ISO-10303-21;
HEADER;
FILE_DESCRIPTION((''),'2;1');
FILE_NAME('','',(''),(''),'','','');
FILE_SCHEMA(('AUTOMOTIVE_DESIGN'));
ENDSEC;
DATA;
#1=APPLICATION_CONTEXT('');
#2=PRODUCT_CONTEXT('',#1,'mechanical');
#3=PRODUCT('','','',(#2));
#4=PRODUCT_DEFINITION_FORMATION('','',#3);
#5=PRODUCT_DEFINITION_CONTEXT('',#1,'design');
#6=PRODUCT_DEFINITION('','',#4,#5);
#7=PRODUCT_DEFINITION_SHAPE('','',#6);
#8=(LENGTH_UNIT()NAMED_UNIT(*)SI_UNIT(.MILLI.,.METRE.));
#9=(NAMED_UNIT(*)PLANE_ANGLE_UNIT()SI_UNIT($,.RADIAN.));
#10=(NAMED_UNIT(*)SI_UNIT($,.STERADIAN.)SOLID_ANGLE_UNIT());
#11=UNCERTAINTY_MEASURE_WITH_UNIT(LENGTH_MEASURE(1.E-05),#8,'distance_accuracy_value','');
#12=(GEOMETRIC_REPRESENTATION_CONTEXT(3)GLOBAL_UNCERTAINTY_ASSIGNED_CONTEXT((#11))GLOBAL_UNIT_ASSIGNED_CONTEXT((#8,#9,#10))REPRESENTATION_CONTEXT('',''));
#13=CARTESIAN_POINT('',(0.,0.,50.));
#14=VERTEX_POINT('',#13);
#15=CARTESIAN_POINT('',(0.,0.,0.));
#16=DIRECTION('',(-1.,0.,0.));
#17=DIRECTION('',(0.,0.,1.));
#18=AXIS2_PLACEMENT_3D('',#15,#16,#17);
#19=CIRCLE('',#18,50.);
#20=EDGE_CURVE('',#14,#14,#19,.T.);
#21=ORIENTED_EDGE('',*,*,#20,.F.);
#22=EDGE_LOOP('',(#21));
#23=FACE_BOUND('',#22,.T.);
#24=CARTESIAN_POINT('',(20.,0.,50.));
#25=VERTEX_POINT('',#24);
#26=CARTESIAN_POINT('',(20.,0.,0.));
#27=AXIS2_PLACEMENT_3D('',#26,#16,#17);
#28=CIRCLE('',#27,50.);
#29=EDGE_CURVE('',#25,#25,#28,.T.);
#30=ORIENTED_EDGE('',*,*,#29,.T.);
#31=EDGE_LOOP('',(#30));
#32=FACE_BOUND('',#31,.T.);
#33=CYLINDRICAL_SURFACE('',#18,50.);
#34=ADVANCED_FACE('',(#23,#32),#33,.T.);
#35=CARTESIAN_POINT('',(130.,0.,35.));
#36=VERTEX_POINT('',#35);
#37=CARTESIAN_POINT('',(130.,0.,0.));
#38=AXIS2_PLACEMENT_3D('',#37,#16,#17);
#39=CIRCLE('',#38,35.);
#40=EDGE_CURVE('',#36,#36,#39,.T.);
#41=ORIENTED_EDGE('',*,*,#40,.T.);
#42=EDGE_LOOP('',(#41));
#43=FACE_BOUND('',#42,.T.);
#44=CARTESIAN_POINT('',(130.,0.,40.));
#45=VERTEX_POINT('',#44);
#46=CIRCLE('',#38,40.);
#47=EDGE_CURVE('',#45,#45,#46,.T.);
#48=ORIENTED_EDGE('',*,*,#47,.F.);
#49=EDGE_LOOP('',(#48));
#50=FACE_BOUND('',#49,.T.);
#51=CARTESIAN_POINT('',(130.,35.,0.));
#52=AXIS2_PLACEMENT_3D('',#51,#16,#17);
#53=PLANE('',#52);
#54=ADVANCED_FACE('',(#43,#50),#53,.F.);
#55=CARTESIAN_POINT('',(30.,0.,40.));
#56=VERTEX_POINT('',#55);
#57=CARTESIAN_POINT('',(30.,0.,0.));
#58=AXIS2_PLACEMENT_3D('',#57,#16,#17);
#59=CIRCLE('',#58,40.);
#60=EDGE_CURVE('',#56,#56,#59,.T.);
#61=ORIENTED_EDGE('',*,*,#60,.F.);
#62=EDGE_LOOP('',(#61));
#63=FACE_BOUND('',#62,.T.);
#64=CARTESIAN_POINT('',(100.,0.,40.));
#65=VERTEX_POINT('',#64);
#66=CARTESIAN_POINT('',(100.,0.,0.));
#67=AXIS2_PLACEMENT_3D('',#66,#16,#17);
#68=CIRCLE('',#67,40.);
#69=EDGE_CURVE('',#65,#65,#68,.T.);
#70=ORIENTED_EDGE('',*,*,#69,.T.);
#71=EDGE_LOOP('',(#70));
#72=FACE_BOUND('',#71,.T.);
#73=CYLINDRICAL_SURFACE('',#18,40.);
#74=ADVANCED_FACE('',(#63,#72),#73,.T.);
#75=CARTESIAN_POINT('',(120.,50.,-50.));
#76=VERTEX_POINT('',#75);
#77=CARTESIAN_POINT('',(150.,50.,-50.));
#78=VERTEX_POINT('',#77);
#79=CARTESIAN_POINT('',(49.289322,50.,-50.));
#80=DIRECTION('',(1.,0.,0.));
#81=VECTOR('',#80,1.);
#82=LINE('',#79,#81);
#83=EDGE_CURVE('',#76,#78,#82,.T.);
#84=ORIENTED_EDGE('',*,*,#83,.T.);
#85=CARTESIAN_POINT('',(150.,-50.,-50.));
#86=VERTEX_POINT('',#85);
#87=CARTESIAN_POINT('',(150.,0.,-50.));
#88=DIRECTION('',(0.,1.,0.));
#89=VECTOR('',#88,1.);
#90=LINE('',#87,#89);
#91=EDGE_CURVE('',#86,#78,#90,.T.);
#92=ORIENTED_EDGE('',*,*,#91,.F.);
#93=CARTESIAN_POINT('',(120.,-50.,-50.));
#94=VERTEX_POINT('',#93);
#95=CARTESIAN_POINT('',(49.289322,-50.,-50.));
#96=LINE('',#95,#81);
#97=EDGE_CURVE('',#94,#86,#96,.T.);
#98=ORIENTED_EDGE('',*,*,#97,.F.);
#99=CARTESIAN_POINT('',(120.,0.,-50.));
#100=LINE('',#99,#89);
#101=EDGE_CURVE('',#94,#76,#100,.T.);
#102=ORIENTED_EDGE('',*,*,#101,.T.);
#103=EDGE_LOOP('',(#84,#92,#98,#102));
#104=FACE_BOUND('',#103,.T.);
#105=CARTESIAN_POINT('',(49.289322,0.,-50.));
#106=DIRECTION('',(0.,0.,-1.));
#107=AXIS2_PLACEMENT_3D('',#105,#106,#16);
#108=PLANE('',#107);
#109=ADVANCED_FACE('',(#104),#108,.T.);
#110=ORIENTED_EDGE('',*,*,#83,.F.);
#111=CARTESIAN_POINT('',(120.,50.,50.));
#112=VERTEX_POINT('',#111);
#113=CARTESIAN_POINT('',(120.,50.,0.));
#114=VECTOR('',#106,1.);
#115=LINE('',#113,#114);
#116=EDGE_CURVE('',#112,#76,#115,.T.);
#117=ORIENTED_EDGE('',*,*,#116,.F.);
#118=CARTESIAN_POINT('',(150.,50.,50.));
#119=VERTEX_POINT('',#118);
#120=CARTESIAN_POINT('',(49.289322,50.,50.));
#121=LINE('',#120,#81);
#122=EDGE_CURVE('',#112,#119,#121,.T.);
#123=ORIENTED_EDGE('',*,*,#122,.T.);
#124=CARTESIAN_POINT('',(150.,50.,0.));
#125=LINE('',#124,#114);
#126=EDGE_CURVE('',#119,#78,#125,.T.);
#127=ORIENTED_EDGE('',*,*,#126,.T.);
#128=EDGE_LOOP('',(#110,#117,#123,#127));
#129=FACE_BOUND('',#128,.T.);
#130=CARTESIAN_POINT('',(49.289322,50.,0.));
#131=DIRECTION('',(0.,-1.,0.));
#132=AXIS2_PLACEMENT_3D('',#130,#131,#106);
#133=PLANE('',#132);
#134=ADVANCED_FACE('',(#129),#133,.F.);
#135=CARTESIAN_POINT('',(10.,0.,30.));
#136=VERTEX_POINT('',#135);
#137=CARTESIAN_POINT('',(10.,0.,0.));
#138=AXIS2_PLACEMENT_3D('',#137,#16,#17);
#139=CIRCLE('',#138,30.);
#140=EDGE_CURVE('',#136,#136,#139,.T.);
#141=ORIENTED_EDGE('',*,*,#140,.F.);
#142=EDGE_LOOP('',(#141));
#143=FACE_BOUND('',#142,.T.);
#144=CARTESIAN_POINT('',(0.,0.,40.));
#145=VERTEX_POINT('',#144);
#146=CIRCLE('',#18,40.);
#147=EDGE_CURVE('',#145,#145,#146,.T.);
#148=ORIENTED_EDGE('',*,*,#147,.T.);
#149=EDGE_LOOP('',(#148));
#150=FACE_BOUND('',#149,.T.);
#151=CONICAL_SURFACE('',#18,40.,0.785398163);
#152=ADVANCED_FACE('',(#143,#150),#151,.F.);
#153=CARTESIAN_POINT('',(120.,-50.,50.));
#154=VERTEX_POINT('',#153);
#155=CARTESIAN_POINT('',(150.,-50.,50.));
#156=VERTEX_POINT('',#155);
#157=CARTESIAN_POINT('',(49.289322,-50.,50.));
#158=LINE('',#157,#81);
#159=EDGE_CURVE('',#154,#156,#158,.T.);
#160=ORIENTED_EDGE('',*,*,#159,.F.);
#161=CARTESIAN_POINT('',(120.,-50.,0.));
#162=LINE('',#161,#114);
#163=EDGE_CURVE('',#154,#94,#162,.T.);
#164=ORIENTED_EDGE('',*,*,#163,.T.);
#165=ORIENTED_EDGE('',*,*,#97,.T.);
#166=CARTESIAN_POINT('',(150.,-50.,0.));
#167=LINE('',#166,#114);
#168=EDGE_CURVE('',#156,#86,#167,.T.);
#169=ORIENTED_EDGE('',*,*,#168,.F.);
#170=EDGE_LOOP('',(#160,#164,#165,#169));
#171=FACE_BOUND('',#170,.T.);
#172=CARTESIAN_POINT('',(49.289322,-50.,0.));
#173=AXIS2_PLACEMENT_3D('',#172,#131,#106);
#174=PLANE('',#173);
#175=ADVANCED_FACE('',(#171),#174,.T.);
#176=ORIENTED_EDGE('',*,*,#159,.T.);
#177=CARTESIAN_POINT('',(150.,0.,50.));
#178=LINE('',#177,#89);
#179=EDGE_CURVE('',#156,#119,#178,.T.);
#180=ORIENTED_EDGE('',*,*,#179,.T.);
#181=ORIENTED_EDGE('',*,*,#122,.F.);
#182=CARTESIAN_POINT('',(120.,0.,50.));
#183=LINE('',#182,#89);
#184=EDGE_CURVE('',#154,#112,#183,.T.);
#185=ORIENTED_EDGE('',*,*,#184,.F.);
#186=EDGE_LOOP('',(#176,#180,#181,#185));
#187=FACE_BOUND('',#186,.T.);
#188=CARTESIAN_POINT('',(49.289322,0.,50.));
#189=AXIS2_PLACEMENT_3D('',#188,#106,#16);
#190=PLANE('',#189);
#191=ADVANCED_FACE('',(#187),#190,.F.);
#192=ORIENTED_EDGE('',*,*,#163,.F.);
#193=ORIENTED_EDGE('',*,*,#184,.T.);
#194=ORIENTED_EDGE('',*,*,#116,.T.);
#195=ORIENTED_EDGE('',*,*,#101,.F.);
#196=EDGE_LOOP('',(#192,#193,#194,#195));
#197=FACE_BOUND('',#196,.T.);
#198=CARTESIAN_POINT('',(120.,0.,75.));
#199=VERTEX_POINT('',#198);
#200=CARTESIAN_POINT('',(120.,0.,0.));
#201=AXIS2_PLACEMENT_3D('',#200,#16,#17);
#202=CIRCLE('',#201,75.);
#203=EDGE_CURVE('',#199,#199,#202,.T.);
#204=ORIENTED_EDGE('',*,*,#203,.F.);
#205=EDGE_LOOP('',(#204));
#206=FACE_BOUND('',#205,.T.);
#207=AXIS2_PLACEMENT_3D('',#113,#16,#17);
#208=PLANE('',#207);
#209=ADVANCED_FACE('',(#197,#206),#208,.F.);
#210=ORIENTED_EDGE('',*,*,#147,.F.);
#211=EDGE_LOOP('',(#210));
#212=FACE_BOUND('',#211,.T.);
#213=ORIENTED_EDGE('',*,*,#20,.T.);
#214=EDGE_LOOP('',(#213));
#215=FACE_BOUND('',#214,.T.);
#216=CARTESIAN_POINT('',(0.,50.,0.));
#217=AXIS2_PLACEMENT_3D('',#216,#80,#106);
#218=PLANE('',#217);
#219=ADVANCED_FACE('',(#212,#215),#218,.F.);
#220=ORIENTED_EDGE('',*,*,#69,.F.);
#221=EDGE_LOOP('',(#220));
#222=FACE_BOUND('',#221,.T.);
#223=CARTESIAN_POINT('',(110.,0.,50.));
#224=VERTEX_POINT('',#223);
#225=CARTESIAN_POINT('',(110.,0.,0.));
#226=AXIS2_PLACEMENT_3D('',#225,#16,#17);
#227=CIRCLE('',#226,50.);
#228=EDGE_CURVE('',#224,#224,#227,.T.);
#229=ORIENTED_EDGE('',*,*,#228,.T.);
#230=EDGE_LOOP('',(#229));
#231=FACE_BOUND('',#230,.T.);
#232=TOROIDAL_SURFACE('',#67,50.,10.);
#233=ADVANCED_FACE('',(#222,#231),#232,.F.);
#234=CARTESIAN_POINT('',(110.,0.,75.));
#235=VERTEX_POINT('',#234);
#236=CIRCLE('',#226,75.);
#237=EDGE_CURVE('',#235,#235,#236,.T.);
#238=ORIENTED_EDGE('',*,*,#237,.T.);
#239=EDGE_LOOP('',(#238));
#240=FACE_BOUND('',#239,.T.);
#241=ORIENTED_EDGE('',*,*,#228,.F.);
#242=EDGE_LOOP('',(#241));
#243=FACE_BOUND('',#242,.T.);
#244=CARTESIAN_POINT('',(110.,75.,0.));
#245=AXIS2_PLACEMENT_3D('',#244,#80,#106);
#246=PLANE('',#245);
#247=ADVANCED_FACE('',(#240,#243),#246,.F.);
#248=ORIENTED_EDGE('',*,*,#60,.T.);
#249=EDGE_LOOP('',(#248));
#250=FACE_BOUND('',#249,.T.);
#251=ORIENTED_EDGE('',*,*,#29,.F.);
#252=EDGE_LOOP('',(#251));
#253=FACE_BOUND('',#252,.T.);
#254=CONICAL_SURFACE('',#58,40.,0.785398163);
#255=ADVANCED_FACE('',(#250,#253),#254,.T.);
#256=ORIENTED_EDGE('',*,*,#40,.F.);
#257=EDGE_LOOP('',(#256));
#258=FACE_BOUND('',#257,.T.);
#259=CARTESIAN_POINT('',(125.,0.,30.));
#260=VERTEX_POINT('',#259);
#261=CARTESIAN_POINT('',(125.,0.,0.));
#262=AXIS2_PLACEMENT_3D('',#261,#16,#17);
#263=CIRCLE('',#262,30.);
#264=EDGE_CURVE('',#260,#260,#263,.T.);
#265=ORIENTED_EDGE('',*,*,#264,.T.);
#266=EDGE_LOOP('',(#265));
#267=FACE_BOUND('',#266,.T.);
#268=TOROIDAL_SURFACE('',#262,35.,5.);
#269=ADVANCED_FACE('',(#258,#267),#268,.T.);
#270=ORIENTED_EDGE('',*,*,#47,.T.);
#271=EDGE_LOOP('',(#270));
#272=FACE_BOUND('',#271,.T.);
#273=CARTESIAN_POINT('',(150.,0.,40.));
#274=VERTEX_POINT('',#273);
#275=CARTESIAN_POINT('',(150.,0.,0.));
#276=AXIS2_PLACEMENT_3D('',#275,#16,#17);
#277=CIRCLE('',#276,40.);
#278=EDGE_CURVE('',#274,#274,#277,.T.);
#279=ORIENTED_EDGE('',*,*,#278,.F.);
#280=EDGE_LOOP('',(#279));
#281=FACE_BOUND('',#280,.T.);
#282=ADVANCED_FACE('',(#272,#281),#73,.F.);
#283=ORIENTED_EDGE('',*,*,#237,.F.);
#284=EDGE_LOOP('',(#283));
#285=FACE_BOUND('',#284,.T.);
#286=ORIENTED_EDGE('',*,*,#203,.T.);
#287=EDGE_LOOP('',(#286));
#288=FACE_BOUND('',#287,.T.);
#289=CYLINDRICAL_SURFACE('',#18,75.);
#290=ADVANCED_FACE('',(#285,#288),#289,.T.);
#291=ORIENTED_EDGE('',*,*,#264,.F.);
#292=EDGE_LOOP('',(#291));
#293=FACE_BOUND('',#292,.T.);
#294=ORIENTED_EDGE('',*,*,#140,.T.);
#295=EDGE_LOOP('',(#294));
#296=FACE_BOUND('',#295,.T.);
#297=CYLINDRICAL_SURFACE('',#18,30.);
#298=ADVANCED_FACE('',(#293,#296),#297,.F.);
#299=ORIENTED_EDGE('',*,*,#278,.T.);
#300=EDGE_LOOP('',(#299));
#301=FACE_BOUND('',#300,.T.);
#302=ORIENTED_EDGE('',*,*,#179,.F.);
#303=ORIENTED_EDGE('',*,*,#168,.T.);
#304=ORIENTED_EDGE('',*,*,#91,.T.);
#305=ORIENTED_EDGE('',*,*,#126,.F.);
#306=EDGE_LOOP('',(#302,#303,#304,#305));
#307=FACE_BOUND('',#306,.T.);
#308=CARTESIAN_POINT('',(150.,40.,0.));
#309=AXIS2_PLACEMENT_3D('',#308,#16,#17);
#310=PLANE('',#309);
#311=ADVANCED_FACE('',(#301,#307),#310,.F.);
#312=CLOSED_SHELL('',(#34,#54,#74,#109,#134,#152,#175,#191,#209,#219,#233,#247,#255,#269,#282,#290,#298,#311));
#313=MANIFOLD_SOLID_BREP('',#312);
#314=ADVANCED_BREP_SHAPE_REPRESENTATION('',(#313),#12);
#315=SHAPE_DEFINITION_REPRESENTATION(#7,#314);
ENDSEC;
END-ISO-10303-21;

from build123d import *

# Parameters (mm, degrees)
RESSALTO_EXTRUS_O1_DEPTH = 30


with BuildPart() as part:
    # Esboço1 → Revolução1 (revolve)
    with BuildSketch(Plane.XY):
        with BuildLine():
            Line((0, 40), (10, 30))
            Line((10, 30), (125, 30))
            ThreePointArc((125, 30), (128.535533906, 31.464466094), (130, 35))
            Line((130, 35), (130, 40))
            Line((130, 40), (150, 40))
            Line((150, 40), (150, 50))
            Line((150, 50), (120, 50))
            Line((120, 50), (120, 75))
            Line((120, 75), (110, 75))
            Line((110, 75), (110, 50))
            ThreePointArc((110, 50), (107.071067812, 42.928932188), (100, 40))
            Line((100, 40), (30, 40))
            Line((30, 40), (20, 50))
            Line((20, 50), (0, 50))
            Line((0, 50), (0, 40))
        make_face()
    revolve(axis=Axis((0, 0, 0), (1, 0, 0)))

    # Esboço2 → Ressalto-extrusão1 (add)
    with BuildSketch(Plane(origin=(150, 0, 0), x_dir=(0, 0, -1), z_dir=(1, 0, 0))):
        with BuildLine():
            Line((-50, 50), (-50, 2.4e-08))
            ThreePointArc((-50, 2.4e-08), (-35.355339059, 35.35533906), (-2.3e-08, 50))
            Line((-2.3e-08, 50), (-50, 50))
        make_face()
        with BuildLine():
            Line((-50, 2.4e-08), (-50, -50))
            Line((-50, -50), (2.3e-08, -50))
            ThreePointArc((2.3e-08, -50), (-35.35533906, -35.355339059), (-50, 2.4e-08))
        make_face()
        with BuildLine():
            ThreePointArc((50, 0), (35.355339067, -35.355339051), (2.3e-08, -50))
            Line((2.3e-08, -50), (50, -50))
            Line((50, -50), (50, 0))
        make_face()
        with BuildLine():
            ThreePointArc((-2.3e-08, 50), (35.355339051, 35.355339067), (50, 0))
            Line((50, 0), (50, 50))
            Line((50, 50), (-2.3e-08, 50))
        make_face()
    extrude(amount=-RESSALTO_EXTRUS_O1_DEPTH)


solid = part.part
